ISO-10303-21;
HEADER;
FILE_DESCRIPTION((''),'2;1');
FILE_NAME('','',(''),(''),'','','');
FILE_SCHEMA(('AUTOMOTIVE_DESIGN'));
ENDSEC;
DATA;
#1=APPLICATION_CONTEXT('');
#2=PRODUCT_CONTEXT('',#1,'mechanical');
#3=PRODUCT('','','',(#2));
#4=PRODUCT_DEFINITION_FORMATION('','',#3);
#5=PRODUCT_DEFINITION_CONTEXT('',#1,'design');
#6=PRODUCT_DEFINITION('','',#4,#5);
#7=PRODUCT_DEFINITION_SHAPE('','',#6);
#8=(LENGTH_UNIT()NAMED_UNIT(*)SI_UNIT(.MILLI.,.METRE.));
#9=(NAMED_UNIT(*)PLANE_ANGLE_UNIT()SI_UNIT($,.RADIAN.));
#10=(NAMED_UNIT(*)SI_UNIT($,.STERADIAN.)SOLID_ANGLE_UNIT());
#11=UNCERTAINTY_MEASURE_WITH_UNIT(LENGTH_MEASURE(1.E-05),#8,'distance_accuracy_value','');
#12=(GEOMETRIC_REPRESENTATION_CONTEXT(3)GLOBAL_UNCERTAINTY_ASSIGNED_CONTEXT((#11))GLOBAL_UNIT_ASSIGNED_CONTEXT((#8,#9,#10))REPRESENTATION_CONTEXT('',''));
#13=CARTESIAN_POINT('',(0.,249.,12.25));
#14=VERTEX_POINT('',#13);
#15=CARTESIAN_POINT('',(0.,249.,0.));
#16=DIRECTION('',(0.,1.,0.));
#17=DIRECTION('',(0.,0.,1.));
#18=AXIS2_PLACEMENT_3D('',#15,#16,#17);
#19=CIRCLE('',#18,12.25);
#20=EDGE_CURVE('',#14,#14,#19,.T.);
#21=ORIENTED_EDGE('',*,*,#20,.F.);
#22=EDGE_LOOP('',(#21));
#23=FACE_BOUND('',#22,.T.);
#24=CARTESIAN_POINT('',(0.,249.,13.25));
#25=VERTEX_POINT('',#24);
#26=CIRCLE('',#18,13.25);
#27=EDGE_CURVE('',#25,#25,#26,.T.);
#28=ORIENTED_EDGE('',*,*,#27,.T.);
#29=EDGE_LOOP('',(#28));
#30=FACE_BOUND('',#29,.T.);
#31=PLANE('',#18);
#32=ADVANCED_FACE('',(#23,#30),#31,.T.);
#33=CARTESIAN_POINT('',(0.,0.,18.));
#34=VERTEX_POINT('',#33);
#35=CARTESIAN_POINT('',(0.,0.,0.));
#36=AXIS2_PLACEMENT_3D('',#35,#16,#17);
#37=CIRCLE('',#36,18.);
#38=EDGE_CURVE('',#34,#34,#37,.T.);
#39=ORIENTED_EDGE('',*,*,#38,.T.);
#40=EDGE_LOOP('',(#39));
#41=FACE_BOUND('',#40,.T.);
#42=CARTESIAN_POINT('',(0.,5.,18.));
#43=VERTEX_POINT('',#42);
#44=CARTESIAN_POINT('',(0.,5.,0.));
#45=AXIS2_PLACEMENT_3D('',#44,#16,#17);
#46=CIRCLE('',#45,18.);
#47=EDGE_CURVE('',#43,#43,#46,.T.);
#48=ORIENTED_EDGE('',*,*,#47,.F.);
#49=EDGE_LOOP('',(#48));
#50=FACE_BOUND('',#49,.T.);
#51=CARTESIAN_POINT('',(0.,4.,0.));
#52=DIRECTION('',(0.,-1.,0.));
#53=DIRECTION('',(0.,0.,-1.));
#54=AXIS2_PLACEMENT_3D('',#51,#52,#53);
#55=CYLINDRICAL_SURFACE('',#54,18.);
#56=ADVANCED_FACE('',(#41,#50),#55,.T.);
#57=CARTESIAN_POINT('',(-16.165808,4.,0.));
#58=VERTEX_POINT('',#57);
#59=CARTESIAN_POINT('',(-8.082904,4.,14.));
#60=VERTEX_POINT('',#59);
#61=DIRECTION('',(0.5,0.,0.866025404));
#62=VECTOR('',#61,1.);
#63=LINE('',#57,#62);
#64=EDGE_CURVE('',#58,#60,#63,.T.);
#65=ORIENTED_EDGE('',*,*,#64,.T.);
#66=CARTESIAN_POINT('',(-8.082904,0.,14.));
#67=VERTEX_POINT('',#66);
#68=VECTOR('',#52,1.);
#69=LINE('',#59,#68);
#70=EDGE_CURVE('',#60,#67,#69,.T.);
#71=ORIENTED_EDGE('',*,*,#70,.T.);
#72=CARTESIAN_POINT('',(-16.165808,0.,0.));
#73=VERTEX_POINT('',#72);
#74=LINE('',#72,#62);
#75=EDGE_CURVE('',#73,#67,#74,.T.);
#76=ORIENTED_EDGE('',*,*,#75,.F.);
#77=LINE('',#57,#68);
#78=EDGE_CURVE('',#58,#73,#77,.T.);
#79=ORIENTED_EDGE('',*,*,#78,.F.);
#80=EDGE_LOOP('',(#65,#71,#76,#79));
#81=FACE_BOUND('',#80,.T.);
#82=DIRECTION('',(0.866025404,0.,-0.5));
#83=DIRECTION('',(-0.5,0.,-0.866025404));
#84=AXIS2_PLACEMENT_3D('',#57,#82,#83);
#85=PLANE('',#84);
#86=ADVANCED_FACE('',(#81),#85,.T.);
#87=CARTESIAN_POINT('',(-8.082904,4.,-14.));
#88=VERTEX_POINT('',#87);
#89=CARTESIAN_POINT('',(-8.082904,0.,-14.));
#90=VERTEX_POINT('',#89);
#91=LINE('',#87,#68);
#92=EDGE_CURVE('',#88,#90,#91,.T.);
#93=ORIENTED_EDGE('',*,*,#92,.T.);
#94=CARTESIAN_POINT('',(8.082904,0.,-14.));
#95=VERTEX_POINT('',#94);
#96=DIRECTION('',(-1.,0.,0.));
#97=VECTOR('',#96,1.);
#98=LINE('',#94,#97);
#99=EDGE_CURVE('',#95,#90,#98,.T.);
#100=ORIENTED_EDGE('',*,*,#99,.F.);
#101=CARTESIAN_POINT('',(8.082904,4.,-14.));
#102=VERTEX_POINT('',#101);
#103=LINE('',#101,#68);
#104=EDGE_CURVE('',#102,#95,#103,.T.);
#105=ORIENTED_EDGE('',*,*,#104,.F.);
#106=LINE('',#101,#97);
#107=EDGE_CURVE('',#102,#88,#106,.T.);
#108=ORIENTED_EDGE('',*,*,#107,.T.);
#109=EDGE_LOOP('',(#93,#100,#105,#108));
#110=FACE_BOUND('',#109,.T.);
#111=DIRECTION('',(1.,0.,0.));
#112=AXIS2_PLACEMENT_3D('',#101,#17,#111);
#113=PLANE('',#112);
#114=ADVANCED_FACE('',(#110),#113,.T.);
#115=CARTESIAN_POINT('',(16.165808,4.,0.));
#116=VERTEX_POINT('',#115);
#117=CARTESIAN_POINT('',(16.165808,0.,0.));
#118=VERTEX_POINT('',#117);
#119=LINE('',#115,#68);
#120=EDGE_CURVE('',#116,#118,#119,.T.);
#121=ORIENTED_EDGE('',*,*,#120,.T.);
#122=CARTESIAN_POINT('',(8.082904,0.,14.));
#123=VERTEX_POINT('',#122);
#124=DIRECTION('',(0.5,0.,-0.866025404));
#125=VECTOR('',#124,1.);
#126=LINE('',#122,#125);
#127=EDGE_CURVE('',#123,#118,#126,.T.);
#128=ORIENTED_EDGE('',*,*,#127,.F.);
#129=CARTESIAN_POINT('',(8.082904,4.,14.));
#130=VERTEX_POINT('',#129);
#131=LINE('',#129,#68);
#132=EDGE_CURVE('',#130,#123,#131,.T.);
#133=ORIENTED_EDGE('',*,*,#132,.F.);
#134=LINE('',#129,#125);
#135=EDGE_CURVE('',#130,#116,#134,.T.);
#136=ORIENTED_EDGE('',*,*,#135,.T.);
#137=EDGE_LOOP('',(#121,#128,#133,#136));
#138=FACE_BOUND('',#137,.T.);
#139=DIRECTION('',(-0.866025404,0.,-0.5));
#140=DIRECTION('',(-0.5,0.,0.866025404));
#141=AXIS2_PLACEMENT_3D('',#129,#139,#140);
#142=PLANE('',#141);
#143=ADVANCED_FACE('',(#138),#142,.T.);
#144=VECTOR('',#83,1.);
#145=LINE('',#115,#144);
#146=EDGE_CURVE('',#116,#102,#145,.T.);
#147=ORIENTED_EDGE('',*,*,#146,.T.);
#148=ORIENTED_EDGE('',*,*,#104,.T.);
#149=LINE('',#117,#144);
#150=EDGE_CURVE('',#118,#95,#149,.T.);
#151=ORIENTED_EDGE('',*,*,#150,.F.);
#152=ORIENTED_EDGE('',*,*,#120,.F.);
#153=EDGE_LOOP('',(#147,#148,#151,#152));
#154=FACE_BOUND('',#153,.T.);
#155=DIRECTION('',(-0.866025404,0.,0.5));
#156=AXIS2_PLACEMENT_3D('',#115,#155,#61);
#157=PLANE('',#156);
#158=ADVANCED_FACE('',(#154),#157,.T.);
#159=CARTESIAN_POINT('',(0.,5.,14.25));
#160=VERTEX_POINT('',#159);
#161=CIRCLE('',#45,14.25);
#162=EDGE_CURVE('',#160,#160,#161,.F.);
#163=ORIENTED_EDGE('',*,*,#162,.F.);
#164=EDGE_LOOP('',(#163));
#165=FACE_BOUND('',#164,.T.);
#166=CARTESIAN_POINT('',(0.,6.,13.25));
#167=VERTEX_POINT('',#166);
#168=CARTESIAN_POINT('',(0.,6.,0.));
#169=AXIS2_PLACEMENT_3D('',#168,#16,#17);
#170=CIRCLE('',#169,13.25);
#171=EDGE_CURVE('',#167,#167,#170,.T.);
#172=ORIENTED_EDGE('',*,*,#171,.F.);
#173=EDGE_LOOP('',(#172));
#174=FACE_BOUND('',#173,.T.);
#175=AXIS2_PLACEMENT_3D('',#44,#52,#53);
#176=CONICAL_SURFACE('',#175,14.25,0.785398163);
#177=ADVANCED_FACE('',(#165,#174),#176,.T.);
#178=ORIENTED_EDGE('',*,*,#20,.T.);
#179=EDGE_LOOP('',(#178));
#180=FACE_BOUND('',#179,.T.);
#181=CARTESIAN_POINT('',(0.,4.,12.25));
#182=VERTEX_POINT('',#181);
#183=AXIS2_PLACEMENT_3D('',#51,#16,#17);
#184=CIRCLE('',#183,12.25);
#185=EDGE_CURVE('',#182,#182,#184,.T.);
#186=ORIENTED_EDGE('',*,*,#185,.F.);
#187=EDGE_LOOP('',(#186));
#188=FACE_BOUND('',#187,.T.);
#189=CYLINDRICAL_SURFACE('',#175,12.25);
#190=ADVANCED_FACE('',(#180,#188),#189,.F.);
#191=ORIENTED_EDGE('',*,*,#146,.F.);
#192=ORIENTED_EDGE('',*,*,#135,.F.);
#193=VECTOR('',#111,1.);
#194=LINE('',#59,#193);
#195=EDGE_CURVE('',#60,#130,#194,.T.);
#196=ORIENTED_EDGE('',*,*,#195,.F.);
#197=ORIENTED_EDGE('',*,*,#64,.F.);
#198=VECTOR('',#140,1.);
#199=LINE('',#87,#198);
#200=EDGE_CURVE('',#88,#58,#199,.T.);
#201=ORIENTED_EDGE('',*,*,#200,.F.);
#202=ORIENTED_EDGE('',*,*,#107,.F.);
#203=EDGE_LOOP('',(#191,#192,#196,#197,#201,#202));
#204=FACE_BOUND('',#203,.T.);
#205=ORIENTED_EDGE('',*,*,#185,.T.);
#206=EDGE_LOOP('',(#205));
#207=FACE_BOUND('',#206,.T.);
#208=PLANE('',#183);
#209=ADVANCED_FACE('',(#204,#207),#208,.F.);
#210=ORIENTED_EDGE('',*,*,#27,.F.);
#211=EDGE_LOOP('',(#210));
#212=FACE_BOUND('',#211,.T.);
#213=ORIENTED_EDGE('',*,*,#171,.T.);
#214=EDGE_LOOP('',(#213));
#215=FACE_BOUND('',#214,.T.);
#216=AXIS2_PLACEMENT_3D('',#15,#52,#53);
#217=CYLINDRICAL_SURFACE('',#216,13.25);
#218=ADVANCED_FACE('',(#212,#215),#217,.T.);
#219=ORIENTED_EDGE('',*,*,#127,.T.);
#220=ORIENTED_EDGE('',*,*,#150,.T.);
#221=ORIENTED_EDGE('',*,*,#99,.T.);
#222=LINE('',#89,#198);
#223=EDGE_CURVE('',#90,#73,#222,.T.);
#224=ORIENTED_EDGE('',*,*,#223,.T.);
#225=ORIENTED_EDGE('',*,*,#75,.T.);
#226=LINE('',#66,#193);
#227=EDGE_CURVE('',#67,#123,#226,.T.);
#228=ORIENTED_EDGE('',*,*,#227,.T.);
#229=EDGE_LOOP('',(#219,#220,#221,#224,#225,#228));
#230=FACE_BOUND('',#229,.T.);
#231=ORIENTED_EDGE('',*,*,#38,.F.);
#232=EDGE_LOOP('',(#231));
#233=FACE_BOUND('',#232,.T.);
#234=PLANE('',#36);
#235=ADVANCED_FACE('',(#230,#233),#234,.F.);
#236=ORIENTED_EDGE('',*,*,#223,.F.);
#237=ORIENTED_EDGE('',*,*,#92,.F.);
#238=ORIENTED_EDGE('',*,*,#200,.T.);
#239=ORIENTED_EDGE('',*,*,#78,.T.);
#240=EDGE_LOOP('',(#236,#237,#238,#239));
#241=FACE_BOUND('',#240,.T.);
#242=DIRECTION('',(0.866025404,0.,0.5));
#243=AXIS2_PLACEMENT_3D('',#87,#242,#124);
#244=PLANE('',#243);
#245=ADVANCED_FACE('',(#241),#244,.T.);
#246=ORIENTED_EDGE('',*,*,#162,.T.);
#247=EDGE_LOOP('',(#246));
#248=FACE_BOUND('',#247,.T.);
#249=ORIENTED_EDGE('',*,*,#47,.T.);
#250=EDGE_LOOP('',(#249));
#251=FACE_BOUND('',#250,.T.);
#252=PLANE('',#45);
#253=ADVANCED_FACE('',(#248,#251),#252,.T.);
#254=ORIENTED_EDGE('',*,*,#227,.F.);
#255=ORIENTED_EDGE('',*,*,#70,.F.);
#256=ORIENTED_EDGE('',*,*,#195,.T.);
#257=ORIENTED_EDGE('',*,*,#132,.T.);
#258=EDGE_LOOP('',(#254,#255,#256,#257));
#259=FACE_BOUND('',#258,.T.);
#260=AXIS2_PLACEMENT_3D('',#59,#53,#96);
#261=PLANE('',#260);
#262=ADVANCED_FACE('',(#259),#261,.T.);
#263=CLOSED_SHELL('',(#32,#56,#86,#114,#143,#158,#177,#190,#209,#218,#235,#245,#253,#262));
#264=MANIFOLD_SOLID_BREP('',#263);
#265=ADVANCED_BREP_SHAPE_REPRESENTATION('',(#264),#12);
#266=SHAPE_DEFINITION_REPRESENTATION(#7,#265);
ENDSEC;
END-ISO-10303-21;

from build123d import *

# Parameters (mm, degrees)
SKETCH1_R           = 18
BOSS_EXTRUDE1_DEPTH = 4
SKETCH2_R           = 13.25
SKETCH2_R_2         = 12.25
BOSS_EXTRUDE2_DEPTH = 245
SKETCH3_R           = 18
SKETCH3_R_2         = 12.25
BOSS_EXTRUDE3_DEPTH = 1
CHAMFER1_SIZE       = 1


with BuildPart() as part:
    # Sketch1 → Boss-Extrude1 (new body)
    with BuildSketch(Plane(origin=(0, 0, 0), x_dir=(1, 0, 0), z_dir=(0, 1, 0))):
        with Locations(Location((0, 0, 0), (0, 0, 270))):
            Circle(SKETCH1_R)
        Polygon((8.082903769, -14), (16.165807537, 0), (8.082903769, 14), (-8.082903769, 14), (-16.165807537, 0), (-8.082903769, -14), align=None, mode=Mode.SUBTRACT)
    extrude(amount=BOSS_EXTRUDE1_DEPTH)



with BuildPart() as body_2:
    # Sketch2 → Boss-Extrude2 (new body)
    with BuildSketch(Plane(origin=(0, 4, 0), x_dir=(1, 0, 0), z_dir=(0, 1, 0))):
        with Locations(Location((0, 0, 0), (0, 0, 270))):
            Circle(SKETCH2_R)
        with Locations(Location((0, 0, 0), (0, 0, 270))):
            Circle(SKETCH2_R_2, mode=Mode.SUBTRACT)
    extrude(amount=BOSS_EXTRUDE2_DEPTH)


with BuildPart() as part_1:
    add(part.part)

    add(body_2.part)  # Boss-Extrude3 merges body 2
    # Sketch3 → Boss-Extrude3 (add)
    with BuildSketch(Plane(origin=(0, 4, 0), x_dir=(1, 0, 0), z_dir=(0, 1, 0))):
        with Locations(Location((0, 0, 0), (0, 0, 270))):
            Circle(SKETCH3_R)
        with Locations(Location((0, 0, 0), (0, 0, 270))):
            Circle(SKETCH3_R_2, mode=Mode.SUBTRACT)
    extrude(amount=BOSS_EXTRUDE3_DEPTH)

    # Chamfer1
    chamfer1_edges = [part_1.edges().sort_by_distance(p)[0] for p in [
        (0, 5, -13.25),
    ]]
    chamfer(chamfer1_edges, length=CHAMFER1_SIZE)


solid = part_1.part
